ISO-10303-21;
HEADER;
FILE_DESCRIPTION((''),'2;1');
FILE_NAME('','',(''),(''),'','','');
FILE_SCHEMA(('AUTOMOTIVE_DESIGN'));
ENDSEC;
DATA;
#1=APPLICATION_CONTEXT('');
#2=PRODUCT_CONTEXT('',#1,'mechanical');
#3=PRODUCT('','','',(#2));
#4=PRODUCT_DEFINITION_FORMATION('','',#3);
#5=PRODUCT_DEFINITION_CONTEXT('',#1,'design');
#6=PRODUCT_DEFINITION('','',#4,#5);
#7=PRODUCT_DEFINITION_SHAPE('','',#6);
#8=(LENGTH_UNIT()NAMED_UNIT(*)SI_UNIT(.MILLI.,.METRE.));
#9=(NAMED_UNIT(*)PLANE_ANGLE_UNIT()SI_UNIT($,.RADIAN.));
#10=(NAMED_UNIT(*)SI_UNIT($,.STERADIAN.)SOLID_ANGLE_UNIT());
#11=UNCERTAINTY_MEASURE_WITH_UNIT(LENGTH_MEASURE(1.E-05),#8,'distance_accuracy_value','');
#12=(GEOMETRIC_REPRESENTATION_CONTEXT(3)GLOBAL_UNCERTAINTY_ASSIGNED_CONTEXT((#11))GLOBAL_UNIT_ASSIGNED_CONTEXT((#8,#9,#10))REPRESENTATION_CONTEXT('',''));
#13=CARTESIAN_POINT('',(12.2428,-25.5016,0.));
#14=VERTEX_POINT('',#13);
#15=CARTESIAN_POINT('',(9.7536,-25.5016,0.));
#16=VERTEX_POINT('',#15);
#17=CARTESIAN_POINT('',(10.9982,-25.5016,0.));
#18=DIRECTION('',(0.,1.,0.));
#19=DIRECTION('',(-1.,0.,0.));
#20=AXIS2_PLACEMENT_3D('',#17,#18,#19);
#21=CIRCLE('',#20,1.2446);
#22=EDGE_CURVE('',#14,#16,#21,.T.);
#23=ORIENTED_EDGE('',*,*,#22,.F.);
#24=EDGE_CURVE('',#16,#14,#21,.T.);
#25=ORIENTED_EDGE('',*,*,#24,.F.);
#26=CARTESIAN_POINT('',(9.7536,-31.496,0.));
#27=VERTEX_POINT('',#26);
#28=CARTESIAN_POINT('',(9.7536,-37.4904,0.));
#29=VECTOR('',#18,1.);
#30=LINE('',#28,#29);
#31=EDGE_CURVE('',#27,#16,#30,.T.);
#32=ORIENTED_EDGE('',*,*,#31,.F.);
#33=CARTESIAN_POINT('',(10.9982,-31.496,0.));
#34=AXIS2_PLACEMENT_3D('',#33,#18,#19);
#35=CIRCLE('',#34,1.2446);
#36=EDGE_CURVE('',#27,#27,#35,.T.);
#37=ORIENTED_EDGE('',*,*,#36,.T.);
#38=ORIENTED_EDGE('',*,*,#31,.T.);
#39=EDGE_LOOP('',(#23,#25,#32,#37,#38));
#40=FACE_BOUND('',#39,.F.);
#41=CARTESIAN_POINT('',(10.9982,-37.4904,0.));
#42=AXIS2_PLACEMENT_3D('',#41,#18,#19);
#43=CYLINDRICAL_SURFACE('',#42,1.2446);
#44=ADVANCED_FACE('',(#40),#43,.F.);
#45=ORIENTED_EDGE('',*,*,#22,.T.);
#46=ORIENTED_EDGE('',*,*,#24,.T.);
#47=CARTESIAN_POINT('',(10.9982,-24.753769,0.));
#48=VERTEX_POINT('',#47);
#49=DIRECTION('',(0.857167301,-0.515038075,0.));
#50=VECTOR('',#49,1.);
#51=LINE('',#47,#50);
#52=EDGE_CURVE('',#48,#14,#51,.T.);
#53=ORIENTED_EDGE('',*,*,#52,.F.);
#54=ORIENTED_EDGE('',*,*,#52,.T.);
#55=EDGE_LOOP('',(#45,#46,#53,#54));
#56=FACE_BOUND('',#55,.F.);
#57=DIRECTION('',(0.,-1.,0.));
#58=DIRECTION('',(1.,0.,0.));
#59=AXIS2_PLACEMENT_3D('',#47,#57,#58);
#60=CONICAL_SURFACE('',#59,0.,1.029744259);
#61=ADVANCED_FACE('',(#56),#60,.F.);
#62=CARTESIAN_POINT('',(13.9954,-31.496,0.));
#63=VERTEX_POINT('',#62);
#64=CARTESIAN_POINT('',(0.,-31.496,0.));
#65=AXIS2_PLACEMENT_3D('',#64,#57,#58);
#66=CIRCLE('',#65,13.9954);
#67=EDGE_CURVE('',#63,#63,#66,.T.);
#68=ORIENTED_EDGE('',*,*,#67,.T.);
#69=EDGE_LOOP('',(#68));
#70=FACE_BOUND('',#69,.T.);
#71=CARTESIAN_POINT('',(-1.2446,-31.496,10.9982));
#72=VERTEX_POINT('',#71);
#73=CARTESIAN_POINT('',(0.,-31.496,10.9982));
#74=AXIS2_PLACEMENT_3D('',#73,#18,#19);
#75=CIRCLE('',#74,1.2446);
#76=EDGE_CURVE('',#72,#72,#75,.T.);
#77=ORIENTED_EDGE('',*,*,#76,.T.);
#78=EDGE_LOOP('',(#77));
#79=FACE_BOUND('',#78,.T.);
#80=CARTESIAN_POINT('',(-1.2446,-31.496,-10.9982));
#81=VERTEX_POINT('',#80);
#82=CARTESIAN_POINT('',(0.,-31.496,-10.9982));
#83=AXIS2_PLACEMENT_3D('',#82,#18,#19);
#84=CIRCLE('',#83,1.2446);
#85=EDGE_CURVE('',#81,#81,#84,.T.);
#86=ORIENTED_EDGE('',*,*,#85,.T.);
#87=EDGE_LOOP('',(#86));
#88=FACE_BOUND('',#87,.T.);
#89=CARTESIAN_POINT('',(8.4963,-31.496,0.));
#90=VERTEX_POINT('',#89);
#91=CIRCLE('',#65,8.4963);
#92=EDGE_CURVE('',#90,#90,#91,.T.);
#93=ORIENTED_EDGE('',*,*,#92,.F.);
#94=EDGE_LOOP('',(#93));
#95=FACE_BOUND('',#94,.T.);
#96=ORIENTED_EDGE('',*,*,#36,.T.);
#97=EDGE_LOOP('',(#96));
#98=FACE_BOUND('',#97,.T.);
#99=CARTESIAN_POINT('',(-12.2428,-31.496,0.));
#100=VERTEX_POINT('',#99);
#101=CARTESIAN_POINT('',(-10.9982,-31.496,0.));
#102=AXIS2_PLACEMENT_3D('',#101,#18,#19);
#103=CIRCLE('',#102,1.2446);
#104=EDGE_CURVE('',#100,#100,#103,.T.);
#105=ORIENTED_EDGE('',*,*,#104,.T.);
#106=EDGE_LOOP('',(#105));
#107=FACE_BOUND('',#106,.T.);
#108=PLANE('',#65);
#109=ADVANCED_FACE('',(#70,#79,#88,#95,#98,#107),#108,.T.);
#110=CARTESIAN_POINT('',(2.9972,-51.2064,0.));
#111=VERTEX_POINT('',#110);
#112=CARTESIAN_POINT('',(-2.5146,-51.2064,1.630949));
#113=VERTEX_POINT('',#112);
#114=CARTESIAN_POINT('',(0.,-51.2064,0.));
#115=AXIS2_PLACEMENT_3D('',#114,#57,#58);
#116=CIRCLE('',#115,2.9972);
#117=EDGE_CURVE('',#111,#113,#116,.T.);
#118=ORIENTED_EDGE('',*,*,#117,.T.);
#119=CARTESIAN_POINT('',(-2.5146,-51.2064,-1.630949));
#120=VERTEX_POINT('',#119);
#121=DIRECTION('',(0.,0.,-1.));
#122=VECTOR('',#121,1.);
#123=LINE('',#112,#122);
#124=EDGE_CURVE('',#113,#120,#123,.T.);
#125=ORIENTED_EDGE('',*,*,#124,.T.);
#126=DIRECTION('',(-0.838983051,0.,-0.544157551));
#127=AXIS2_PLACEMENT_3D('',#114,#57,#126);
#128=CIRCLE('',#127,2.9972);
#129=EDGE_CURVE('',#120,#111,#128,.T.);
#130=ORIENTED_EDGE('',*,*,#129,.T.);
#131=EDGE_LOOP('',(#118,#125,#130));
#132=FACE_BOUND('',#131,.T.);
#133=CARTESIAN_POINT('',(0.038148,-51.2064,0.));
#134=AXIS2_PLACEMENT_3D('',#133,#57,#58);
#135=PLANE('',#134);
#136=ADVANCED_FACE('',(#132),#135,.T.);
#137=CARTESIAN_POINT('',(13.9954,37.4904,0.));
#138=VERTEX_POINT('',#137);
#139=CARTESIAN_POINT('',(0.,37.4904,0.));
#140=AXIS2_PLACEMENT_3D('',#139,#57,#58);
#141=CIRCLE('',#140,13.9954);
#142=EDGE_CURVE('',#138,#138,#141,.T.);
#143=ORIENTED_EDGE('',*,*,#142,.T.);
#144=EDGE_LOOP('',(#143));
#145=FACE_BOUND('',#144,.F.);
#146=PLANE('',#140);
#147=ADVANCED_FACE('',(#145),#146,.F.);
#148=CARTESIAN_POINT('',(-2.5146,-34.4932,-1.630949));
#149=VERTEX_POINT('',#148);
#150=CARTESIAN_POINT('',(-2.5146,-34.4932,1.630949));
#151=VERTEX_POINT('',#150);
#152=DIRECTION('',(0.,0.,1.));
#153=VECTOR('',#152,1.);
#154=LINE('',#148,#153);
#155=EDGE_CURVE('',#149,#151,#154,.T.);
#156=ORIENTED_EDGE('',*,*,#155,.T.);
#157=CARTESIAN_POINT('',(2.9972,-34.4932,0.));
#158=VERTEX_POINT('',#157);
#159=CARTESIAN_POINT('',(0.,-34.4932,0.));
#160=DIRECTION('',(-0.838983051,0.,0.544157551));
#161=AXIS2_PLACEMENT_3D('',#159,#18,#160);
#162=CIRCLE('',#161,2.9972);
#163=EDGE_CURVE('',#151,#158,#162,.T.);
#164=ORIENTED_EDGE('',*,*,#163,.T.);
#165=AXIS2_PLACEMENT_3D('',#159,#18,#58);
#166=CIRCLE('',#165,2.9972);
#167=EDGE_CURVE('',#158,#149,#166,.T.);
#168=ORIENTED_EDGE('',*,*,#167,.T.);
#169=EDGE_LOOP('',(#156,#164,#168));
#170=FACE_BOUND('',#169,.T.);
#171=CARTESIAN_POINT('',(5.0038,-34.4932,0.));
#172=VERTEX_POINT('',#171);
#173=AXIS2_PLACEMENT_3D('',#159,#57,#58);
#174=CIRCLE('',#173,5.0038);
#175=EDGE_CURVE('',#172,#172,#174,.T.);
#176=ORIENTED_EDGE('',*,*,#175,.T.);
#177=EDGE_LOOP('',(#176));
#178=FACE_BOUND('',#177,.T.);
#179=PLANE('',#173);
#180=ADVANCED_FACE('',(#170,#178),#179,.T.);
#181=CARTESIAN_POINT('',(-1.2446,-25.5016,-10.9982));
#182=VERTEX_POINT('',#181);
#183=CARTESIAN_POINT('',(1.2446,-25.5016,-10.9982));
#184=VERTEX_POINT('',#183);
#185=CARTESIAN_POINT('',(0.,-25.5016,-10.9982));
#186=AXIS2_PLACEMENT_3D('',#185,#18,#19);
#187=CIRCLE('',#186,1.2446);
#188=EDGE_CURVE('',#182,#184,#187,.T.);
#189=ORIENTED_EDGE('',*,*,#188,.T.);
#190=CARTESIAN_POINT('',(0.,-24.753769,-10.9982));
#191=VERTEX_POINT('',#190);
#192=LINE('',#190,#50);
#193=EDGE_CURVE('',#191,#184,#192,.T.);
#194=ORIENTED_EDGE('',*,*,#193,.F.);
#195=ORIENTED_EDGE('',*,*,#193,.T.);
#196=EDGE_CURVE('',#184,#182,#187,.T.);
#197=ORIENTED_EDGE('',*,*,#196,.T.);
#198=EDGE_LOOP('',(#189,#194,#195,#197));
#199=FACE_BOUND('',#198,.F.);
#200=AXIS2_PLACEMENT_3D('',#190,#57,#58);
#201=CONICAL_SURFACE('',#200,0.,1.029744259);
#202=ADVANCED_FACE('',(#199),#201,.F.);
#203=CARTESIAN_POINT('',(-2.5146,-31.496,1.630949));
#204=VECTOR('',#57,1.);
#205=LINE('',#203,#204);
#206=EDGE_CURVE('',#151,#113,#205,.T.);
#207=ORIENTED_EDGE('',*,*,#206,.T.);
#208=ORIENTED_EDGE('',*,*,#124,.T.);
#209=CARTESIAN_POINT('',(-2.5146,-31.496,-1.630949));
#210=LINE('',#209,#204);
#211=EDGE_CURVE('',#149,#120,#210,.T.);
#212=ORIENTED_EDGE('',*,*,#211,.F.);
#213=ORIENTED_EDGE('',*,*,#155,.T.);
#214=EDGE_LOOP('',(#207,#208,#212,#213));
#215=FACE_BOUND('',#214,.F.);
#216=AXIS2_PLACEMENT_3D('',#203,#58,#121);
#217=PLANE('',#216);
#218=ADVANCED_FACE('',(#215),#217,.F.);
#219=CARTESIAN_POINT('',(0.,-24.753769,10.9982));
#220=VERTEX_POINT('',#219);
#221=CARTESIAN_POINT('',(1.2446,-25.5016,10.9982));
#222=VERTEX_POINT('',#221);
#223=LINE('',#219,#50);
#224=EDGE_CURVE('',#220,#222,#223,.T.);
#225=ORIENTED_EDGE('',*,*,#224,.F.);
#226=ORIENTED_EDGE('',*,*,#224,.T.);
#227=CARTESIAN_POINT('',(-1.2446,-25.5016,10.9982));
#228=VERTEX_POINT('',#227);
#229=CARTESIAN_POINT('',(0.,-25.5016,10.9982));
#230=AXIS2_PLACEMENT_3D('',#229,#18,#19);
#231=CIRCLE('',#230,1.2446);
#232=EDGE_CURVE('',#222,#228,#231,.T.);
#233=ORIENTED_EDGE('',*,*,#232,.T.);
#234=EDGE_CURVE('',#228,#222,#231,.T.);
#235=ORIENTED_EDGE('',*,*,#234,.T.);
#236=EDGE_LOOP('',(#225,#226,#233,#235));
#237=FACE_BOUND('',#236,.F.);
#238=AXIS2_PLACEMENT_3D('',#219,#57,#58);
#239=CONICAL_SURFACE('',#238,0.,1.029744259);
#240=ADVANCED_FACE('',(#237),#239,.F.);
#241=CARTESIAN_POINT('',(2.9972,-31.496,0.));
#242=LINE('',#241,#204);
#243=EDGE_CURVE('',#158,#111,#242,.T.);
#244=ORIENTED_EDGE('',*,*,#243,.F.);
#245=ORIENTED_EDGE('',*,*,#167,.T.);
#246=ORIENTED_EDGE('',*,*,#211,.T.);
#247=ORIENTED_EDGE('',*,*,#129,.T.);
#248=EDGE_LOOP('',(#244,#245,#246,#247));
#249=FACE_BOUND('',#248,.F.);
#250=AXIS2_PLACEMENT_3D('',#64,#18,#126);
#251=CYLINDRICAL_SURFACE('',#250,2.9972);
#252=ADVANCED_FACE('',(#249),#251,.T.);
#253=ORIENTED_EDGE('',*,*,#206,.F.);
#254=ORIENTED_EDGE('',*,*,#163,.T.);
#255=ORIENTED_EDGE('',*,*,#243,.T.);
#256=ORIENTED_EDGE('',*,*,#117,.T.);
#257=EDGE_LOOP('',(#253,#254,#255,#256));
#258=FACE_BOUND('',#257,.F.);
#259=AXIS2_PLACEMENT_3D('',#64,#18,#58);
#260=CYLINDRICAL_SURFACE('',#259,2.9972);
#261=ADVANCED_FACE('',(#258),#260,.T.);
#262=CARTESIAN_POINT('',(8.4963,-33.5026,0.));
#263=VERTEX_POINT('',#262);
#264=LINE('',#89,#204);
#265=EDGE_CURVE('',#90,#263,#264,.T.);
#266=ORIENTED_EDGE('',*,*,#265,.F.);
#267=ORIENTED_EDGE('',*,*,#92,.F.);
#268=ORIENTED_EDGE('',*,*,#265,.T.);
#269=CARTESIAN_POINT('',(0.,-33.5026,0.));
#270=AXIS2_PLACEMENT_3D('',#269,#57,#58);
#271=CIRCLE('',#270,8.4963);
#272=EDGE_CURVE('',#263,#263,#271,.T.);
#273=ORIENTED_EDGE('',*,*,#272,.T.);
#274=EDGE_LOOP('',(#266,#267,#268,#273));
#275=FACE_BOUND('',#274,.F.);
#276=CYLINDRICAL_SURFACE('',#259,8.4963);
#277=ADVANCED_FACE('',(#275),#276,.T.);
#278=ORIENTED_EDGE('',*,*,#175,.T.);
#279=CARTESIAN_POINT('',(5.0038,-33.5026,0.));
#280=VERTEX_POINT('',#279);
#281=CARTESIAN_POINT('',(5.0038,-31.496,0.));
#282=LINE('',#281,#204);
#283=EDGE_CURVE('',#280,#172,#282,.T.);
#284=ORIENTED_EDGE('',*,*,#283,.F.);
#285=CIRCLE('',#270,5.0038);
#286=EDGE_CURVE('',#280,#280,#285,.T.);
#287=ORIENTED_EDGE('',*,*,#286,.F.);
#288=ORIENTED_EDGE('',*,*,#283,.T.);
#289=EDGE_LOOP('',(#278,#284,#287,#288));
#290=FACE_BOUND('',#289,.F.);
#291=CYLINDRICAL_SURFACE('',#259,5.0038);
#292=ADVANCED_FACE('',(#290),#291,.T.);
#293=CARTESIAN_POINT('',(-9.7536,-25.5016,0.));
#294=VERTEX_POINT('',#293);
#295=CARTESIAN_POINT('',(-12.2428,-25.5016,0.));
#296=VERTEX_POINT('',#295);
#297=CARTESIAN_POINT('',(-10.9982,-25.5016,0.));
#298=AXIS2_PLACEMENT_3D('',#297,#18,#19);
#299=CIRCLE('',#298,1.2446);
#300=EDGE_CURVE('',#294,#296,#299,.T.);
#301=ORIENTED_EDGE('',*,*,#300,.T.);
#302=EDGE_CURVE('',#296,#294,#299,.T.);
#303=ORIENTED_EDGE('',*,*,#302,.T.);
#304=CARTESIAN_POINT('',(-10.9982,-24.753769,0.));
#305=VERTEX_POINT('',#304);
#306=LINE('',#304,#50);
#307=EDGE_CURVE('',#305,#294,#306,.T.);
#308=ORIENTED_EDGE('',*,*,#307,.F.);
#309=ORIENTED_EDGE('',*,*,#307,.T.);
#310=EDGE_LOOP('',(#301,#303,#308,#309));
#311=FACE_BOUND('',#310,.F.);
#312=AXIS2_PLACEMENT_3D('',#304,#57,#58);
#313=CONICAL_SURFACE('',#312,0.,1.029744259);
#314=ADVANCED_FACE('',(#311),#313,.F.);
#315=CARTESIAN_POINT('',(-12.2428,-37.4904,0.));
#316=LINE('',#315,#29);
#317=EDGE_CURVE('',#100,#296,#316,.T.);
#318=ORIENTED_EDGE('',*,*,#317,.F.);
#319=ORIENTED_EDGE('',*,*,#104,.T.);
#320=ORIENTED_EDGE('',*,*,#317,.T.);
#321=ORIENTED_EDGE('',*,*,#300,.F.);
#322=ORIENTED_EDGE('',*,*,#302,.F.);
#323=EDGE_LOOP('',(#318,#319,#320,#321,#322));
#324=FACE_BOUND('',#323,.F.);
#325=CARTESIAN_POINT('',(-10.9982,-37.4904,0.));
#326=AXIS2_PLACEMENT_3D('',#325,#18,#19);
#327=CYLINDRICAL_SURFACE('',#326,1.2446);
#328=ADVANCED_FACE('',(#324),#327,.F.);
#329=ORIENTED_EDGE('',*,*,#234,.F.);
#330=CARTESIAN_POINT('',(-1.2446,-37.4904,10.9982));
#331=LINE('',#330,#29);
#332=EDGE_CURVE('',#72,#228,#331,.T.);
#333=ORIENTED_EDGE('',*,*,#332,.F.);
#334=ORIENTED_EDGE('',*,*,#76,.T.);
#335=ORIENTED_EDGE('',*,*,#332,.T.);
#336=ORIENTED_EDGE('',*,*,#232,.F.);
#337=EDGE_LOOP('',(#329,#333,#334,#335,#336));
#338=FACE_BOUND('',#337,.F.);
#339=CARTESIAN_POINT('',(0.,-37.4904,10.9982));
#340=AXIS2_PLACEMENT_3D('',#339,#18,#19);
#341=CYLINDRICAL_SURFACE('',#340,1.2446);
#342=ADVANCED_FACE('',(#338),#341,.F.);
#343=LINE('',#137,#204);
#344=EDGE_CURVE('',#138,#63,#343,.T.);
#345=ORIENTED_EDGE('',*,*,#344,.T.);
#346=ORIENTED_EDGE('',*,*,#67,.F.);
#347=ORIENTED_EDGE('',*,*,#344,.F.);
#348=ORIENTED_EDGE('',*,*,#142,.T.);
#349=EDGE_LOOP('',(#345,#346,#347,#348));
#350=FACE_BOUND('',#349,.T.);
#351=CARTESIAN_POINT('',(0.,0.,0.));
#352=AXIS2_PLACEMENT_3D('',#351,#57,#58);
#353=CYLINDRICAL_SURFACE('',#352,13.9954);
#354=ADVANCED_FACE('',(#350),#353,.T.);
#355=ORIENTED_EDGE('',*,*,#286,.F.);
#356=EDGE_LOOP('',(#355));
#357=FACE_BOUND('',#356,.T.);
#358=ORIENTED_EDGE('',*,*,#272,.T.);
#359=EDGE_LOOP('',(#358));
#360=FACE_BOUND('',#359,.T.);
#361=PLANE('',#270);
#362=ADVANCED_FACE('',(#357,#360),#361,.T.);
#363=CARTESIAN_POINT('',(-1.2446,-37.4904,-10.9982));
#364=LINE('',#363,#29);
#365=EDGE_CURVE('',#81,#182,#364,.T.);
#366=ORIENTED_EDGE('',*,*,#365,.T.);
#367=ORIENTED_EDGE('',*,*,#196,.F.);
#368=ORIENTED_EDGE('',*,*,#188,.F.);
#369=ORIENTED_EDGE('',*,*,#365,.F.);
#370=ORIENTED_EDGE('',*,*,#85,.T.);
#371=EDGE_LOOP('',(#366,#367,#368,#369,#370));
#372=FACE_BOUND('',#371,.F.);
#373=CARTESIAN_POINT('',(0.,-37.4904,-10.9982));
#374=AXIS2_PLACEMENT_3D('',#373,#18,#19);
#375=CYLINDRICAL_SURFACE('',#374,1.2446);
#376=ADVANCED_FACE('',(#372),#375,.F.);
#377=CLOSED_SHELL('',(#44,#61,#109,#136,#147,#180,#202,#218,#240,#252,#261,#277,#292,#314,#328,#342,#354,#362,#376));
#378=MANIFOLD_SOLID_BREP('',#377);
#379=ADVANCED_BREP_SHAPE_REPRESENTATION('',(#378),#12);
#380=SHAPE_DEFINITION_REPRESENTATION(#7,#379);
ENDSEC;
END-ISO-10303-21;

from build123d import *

# Parameters (mm, degrees)
F0_R     = 13.9954
F1_DEPTH = 31.496
F2_DEPTH = 37.4904
F4_DEPTH = 19.7104
F3_R     = 5.0038
F5_DEPTH = 2.9972
F3_R_2   = 8.4963
F6_DEPTH = 2.0066
F7_D     = 2.4892
F7_DEPTH = 5.9944
F7_TIP   = 0.7478311264


with BuildPart() as f1:
    # F0 (on Front) → F1 (new body)
    with BuildSketch(Plane.XZ):
        Circle(F0_R)
    extrude(amount=F1_DEPTH)

    # F2 (add): a face of the model
    f2_faces = [f1.faces().sort_by_distance(p)[0] for p in [
        (0, 0, 0),
    ]]
    extrude(f2_faces, amount=F2_DEPTH)

    # F3 (on face) → F4 (join)
    with BuildSketch(Plane.XZ.offset(31.496)):
        with BuildLine():
            ThreePointArc((-2.5146, -1.6309490121), (0.8504259874, -2.8740186986), (2.9972, 0))
            ThreePointArc((2.9972, 0), (0.8504259874, 2.8740186986), (-2.5146, 1.6309490121))
            Line((-2.5146, 1.6309490121), (-2.5146, -1.6309490121))
        make_face()
    extrude(amount=F4_DEPTH)

    # F3 (on face) → F5 (join)
    with BuildSketch(Plane.XZ.offset(31.496)):
        Circle(F3_R)
        with BuildLine():
            ThreePointArc((-2.5146, 1.6309490121), (0.8504259874, 2.8740186986), (2.9972, 0))
            ThreePointArc((2.9972, 0), (0.8504259874, -2.8740186986), (-2.5146, -1.6309490121))
            ThreePointArc((-2.5146, -1.6309490121), (-2.9972, 0), (-2.5146, 1.6309490121))
        make_face(mode=Mode.SUBTRACT)
        with BuildLine():
            Line((-2.5146, -1.6309490121), (-2.5146, 1.6309490121))
            ThreePointArc((-2.5146, 1.6309490121), (-2.9972, 0), (-2.5146, -1.6309490121))
        make_face()
    extrude(amount=F5_DEPTH)

    # F3 (on face) → F6 (join)
    with BuildSketch(Plane.XZ.offset(31.496)):
        Circle(F3_R_2)
        Circle(F3_R, mode=Mode.SUBTRACT)
    extrude(amount=F6_DEPTH)

    # F7
    with Locations(Plane.XZ.offset(31.496)):
        with Locations((10.9982, 0), (0, -10.9982), (0, 10.9982), (-10.9982, 0)):
            Hole(F7_D / 2, depth=F7_DEPTH)
            with Locations((0, 0, -(F7_DEPTH + F7_TIP / 2))):  # 118° drill point
                Cone(0, F7_D / 2, F7_TIP, mode=Mode.SUBTRACT)


solid = f1.part
